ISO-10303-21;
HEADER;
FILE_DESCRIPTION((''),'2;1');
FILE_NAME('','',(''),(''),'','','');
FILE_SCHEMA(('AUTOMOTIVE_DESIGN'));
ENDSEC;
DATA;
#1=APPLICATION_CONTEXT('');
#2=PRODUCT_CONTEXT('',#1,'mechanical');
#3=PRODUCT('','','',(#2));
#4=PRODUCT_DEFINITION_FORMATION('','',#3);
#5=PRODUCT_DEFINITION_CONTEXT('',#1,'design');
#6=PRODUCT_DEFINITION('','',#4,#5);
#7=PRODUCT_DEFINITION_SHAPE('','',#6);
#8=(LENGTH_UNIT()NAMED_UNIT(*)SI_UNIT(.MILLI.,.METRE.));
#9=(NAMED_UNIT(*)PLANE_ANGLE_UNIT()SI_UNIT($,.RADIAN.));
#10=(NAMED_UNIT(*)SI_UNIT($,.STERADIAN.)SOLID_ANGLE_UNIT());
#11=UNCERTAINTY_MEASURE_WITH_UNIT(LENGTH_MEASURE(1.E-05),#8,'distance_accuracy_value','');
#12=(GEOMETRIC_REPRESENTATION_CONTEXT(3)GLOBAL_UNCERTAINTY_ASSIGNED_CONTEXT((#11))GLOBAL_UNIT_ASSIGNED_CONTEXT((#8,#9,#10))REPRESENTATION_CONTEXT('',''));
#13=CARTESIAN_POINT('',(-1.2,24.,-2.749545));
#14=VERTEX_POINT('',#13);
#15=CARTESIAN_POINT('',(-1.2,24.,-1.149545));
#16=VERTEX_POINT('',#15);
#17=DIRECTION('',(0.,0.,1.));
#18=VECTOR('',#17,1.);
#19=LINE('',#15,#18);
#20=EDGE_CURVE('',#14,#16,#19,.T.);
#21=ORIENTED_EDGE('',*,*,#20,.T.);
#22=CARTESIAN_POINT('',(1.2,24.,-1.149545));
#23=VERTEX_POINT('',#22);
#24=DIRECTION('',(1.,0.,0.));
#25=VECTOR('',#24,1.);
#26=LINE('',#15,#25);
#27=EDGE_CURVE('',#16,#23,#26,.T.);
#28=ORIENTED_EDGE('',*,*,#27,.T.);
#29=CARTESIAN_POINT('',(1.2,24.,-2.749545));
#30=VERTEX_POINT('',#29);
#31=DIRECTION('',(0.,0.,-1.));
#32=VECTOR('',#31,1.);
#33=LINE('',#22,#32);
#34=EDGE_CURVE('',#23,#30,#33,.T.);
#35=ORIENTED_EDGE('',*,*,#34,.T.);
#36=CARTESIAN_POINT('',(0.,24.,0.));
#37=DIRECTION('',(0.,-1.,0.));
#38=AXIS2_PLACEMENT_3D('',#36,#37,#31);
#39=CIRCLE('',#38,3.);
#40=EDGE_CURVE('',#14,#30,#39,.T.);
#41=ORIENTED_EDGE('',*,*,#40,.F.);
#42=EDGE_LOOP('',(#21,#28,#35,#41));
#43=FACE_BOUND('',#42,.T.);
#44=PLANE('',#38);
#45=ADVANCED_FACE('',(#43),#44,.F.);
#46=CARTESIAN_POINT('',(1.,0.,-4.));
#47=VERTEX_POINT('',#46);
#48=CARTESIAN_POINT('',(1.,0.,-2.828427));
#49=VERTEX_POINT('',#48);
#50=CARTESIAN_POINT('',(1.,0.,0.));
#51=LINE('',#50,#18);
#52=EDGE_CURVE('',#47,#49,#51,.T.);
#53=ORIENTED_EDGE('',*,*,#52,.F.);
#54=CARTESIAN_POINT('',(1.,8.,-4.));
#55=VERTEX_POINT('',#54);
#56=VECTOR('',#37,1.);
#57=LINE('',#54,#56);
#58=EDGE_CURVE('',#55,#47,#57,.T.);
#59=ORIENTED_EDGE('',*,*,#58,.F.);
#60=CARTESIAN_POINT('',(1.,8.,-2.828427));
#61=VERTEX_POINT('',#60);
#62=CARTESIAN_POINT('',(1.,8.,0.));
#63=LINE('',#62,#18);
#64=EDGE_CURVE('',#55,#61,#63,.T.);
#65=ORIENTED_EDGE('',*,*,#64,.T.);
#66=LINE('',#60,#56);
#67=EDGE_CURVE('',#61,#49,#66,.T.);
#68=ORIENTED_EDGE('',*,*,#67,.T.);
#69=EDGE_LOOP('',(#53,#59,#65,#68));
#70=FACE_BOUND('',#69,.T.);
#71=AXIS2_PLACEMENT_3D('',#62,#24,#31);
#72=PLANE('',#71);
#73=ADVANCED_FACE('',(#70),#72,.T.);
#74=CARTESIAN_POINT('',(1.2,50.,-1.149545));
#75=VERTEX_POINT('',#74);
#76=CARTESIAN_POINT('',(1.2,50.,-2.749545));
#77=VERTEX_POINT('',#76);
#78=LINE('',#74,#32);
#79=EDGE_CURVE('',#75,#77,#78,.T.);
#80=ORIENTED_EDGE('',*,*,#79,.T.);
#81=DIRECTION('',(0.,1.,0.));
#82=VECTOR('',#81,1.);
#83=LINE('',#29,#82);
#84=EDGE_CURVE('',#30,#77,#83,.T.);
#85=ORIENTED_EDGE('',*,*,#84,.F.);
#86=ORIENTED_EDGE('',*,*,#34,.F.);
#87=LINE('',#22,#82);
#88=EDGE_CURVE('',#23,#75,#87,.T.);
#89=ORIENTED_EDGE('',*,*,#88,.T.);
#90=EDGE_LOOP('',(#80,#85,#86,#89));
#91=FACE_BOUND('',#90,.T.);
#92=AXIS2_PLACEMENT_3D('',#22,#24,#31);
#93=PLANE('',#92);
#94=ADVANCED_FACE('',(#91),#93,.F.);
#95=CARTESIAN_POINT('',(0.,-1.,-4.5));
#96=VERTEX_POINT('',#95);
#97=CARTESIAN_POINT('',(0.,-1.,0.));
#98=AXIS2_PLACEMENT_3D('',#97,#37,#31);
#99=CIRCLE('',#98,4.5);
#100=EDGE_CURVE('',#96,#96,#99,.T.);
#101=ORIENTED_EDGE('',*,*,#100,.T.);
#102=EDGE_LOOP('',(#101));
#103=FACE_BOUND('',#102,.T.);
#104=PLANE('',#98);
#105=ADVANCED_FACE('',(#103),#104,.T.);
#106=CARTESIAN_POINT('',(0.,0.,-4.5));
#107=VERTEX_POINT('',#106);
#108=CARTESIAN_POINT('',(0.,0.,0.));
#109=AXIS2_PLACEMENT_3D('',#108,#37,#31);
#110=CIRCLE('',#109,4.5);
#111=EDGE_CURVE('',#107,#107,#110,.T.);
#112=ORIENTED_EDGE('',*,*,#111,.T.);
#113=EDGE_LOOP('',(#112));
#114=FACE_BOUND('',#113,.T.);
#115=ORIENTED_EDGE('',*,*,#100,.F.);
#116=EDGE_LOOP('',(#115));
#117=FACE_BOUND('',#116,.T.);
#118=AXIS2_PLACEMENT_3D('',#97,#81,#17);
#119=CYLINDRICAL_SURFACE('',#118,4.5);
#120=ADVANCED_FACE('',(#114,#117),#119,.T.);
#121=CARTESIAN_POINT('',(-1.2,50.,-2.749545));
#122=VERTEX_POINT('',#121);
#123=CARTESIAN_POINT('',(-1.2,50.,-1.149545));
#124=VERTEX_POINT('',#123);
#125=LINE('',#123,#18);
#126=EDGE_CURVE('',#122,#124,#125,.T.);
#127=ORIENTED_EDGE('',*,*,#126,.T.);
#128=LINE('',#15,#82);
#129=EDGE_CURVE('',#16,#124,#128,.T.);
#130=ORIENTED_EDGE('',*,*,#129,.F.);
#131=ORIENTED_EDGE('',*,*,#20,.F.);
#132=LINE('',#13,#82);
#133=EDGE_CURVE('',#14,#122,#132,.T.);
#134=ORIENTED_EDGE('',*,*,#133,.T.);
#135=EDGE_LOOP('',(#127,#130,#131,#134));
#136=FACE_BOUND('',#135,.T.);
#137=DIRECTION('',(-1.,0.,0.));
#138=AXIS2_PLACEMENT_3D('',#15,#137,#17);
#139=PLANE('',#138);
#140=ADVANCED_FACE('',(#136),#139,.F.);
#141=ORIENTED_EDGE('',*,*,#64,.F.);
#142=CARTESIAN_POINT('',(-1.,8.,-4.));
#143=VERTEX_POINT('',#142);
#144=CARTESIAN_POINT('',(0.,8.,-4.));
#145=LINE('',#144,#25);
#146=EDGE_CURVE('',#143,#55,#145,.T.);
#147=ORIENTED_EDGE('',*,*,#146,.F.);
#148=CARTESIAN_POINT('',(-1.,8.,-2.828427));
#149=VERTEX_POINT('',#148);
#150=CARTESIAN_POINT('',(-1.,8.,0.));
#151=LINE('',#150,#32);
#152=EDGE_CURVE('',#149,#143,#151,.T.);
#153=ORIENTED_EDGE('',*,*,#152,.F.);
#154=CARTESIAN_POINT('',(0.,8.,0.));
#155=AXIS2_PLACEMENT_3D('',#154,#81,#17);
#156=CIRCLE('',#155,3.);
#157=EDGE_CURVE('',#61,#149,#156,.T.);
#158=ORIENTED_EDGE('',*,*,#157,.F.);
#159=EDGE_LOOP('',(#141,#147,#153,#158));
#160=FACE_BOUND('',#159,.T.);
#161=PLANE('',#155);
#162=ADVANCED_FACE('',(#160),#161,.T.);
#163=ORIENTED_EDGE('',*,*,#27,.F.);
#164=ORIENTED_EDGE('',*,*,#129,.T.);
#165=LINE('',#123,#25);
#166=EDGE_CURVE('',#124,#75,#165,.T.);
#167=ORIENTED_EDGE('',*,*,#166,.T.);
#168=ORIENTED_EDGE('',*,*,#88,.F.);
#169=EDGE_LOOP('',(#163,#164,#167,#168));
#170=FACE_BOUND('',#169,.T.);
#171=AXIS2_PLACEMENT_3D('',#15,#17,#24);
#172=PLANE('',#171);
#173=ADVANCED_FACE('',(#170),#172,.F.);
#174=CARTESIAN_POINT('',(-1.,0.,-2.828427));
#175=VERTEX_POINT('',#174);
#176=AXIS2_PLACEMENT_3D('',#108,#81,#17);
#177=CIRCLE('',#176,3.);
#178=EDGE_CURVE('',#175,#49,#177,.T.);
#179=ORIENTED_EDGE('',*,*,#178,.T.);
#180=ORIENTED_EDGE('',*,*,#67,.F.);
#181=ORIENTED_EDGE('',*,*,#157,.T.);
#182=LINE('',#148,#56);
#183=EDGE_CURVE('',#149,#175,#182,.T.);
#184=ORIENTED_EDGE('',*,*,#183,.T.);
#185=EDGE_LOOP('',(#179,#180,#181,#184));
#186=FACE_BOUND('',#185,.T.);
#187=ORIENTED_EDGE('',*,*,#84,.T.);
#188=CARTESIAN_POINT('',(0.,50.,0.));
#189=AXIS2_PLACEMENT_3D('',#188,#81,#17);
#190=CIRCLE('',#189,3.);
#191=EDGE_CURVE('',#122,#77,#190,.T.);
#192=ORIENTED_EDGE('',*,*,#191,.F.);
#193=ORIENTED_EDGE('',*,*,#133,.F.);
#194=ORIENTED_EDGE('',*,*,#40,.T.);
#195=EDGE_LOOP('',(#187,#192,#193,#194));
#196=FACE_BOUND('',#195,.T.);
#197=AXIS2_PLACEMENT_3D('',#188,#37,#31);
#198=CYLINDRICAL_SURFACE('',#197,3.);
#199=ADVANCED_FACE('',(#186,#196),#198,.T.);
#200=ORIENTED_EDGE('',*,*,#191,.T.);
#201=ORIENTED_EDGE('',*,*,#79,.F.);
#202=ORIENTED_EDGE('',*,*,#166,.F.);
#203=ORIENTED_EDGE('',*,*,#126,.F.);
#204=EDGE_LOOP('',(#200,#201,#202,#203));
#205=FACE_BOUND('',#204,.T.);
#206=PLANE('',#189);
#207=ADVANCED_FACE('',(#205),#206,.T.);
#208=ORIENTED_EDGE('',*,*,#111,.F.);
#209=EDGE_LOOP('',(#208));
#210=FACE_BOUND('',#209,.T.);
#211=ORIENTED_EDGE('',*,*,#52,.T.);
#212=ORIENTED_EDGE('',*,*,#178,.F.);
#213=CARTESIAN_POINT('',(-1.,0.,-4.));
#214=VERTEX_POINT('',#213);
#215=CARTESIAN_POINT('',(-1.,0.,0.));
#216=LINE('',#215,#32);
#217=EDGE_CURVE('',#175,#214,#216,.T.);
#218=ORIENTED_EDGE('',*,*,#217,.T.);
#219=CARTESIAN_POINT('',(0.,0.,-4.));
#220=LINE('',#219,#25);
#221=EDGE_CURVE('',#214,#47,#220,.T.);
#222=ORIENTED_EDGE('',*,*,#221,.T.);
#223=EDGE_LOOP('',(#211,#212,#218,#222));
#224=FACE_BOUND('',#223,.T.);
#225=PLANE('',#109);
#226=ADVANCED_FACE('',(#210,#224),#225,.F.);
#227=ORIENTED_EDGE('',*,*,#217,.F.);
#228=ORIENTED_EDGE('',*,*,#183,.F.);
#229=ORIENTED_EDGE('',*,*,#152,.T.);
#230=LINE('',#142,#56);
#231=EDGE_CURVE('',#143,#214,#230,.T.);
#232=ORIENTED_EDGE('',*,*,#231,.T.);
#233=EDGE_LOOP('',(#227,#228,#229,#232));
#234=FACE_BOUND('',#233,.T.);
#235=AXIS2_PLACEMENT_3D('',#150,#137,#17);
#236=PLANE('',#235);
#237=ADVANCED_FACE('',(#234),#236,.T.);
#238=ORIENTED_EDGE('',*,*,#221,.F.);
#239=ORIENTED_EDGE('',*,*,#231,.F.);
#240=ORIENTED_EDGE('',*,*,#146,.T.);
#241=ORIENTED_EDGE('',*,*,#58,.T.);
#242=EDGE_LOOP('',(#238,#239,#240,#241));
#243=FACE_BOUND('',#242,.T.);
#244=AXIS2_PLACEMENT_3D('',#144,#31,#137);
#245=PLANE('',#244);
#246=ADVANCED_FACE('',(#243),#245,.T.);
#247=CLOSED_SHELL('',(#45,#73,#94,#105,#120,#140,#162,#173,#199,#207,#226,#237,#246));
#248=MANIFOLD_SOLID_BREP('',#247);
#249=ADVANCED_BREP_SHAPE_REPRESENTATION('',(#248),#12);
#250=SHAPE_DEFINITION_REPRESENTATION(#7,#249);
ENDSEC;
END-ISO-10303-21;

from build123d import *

# Parameters (mm, degrees)
EXTRUDE_2_DEPTH     = 50
EXTRUDE_3_DEPTH     = 8
CUT_EXTRUDE_1_DEPTH = 26
SKETCH_3_R          = 4.5
EXTRUDE_4_DEPTH     = 1


with BuildPart() as part:
    # 스케치1 → 보스-돌출2 (new body)
    with BuildSketch(Plane(origin=(0, 0, 0), x_dir=(1, 0, 0), z_dir=(0, 1, 0))):
        with BuildLine():
            ThreePointArc((1, 2.828427125), (0, 3), (-1, 2.828427125))
            ThreePointArc((-1, 2.828427125), (-1.732050808, -2.449489743), (3, 0))
            ThreePointArc((3, 0), (2.449489743, 1.732050808), (1, 2.828427125))
        make_face()
    extrude(amount=EXTRUDE_2_DEPTH)

    # 스케치1<3> → 보스-돌출3 (add)
    with BuildSketch(Plane(origin=(0, 0, 0), x_dir=(1, 0, 0), z_dir=(0, 1, 0))):
        with BuildLine():
            Line((-1, 4), (-1, 2.828427125))
            ThreePointArc((-1, 2.828427125), (0, 3), (1, 2.828427125))
            Line((1, 2.828427125), (1, 4))
            Line((1, 4), (-1, 4))
        make_face()
    extrude(amount=EXTRUDE_3_DEPTH)

    # 스케치2 → 컷-돌출1 (cut)
    with BuildSketch(Plane(origin=(0, 50, 0), x_dir=(1, 0, 0), z_dir=(0, 1, 0))):
        Polygon((-1.2, 1.149545417), (1.2, 1.149545417), (1.2, 2.749545417), (0, 4.828006386), (-1.2, 2.749545417), align=None)
    extrude(amount=-CUT_EXTRUDE_1_DEPTH, mode=Mode.SUBTRACT)

    # 스케치3 → 보스-돌출4 (add)
    with BuildSketch(Plane.XZ):
        Circle(SKETCH_3_R)
    extrude(amount=EXTRUDE_4_DEPTH)


solid = part.part
